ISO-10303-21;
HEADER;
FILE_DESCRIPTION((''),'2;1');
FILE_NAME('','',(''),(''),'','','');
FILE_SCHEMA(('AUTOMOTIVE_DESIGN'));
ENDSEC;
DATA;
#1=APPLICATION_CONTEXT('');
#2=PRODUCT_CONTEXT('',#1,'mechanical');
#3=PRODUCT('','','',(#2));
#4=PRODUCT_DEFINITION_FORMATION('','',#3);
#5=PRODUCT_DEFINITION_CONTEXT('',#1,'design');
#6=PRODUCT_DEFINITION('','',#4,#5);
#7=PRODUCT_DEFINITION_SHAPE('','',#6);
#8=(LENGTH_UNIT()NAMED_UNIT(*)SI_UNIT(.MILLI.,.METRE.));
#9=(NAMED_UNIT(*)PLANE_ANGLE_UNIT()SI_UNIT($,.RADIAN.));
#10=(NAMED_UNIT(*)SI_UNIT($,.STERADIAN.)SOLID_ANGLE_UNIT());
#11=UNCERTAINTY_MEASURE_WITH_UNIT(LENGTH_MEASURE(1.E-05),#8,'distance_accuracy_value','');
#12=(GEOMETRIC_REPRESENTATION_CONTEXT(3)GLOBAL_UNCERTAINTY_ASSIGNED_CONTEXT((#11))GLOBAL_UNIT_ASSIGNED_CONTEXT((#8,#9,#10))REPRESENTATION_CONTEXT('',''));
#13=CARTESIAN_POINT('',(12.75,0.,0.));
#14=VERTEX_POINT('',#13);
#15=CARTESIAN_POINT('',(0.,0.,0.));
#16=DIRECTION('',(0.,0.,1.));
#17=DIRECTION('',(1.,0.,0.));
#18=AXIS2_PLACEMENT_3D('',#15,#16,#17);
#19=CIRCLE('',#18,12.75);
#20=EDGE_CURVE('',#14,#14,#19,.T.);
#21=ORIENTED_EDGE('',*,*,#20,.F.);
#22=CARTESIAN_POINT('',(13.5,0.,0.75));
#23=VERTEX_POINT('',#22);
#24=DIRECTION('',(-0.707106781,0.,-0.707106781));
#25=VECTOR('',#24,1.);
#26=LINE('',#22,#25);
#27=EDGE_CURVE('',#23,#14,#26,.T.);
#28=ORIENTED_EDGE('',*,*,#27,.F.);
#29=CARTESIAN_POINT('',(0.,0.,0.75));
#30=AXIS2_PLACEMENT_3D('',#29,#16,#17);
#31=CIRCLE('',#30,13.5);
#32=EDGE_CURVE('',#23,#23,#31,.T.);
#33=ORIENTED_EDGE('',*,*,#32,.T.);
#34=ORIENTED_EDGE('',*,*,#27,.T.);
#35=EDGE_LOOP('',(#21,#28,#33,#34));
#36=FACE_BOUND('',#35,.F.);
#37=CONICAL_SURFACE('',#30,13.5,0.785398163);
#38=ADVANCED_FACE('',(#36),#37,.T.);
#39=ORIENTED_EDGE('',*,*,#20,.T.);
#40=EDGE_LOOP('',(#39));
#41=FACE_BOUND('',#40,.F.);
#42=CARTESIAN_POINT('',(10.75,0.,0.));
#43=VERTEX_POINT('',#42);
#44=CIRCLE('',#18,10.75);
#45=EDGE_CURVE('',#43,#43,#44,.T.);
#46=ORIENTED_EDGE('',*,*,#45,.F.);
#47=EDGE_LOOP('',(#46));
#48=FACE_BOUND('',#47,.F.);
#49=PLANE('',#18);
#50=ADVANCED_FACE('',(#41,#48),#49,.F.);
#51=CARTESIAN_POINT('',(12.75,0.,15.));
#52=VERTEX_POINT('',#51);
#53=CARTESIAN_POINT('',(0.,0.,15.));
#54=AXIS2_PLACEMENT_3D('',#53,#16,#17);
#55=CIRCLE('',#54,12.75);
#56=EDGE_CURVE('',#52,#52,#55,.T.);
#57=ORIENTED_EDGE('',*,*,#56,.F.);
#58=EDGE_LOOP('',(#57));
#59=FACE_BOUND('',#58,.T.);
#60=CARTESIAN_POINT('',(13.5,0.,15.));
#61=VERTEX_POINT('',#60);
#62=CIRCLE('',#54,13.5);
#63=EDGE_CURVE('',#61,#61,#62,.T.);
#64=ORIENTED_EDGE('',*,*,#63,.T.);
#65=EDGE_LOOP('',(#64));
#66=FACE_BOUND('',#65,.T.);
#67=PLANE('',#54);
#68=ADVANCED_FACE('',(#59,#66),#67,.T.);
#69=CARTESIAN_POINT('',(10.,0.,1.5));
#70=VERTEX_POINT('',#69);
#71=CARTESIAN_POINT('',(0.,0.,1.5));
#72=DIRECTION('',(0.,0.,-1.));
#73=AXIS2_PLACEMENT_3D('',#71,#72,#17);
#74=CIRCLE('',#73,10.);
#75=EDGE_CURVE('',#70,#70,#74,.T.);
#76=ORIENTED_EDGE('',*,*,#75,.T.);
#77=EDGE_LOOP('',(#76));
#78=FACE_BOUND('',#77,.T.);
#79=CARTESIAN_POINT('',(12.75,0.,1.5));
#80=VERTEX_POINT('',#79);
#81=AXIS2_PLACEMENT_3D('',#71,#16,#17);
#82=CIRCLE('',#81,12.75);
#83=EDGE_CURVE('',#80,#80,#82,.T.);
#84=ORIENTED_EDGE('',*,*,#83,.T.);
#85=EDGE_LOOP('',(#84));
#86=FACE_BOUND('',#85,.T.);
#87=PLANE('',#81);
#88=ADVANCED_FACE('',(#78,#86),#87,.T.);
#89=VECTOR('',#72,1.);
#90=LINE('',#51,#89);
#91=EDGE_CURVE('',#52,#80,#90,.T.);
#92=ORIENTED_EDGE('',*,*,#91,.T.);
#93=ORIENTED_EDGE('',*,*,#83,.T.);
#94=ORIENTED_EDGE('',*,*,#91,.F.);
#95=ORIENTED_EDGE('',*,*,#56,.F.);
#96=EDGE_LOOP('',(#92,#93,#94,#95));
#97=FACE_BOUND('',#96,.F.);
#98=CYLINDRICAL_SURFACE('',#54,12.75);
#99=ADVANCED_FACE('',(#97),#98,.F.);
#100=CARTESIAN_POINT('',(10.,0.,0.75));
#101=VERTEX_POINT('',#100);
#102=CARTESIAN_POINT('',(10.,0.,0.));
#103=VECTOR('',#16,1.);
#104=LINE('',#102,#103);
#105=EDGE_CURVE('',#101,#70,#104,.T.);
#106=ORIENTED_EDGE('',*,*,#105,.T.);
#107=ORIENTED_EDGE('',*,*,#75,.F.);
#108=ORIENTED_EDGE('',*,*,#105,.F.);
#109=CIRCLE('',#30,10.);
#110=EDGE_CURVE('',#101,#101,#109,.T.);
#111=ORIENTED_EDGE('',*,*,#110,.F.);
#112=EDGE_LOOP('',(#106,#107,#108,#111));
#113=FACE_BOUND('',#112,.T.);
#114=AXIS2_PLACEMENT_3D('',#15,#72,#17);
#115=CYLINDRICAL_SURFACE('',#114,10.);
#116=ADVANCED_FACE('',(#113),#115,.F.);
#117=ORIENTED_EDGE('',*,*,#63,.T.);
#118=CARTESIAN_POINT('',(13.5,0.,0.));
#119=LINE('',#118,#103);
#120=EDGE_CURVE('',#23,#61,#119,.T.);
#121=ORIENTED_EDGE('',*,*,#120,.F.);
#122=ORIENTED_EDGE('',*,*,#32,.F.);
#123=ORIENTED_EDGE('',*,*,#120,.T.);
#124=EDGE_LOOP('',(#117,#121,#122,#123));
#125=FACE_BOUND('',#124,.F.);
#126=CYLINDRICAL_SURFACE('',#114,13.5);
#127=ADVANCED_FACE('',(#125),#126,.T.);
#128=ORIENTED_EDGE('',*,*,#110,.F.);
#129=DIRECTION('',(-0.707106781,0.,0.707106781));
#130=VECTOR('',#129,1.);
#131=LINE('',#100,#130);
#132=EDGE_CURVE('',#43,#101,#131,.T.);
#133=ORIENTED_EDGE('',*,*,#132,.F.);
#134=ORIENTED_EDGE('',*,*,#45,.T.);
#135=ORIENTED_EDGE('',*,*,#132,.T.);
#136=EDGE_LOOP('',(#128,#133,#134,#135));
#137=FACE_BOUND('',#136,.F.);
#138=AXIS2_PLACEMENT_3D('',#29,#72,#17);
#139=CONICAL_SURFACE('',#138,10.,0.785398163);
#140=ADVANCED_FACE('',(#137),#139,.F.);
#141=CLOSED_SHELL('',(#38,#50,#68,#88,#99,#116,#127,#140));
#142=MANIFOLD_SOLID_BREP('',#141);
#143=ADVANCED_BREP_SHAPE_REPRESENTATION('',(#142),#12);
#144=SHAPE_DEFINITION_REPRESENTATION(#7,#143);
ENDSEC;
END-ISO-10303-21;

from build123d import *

# Parameters (mm, degrees)
F0_R     = 13.5
F0_R_2   = 10
F1_DEPTH = 15
F2_R     = 12.75
F3_DEPTH = 13.5
F4_SIZE  = 0.75


with BuildPart() as f1:
    # F0 (on Top) → F1 (new body)
    with BuildSketch(Plane.XY):
        Circle(F0_R)
        Circle(F0_R_2, mode=Mode.SUBTRACT)
    extrude(amount=F1_DEPTH)

    # F2 (on face) → F3 (cut)
    with BuildSketch(Plane.XY.offset(15)):
        Circle(F2_R)
    extrude(amount=-F3_DEPTH, mode=Mode.SUBTRACT)

    # F4
    f4_edges = [f1.edges().sort_by_distance(p)[0] for p in [
        (-13.5, 0, 0),
        (-10, 0, 0),
    ]]
    chamfer(f4_edges, length=F4_SIZE)


solid = f1.part
